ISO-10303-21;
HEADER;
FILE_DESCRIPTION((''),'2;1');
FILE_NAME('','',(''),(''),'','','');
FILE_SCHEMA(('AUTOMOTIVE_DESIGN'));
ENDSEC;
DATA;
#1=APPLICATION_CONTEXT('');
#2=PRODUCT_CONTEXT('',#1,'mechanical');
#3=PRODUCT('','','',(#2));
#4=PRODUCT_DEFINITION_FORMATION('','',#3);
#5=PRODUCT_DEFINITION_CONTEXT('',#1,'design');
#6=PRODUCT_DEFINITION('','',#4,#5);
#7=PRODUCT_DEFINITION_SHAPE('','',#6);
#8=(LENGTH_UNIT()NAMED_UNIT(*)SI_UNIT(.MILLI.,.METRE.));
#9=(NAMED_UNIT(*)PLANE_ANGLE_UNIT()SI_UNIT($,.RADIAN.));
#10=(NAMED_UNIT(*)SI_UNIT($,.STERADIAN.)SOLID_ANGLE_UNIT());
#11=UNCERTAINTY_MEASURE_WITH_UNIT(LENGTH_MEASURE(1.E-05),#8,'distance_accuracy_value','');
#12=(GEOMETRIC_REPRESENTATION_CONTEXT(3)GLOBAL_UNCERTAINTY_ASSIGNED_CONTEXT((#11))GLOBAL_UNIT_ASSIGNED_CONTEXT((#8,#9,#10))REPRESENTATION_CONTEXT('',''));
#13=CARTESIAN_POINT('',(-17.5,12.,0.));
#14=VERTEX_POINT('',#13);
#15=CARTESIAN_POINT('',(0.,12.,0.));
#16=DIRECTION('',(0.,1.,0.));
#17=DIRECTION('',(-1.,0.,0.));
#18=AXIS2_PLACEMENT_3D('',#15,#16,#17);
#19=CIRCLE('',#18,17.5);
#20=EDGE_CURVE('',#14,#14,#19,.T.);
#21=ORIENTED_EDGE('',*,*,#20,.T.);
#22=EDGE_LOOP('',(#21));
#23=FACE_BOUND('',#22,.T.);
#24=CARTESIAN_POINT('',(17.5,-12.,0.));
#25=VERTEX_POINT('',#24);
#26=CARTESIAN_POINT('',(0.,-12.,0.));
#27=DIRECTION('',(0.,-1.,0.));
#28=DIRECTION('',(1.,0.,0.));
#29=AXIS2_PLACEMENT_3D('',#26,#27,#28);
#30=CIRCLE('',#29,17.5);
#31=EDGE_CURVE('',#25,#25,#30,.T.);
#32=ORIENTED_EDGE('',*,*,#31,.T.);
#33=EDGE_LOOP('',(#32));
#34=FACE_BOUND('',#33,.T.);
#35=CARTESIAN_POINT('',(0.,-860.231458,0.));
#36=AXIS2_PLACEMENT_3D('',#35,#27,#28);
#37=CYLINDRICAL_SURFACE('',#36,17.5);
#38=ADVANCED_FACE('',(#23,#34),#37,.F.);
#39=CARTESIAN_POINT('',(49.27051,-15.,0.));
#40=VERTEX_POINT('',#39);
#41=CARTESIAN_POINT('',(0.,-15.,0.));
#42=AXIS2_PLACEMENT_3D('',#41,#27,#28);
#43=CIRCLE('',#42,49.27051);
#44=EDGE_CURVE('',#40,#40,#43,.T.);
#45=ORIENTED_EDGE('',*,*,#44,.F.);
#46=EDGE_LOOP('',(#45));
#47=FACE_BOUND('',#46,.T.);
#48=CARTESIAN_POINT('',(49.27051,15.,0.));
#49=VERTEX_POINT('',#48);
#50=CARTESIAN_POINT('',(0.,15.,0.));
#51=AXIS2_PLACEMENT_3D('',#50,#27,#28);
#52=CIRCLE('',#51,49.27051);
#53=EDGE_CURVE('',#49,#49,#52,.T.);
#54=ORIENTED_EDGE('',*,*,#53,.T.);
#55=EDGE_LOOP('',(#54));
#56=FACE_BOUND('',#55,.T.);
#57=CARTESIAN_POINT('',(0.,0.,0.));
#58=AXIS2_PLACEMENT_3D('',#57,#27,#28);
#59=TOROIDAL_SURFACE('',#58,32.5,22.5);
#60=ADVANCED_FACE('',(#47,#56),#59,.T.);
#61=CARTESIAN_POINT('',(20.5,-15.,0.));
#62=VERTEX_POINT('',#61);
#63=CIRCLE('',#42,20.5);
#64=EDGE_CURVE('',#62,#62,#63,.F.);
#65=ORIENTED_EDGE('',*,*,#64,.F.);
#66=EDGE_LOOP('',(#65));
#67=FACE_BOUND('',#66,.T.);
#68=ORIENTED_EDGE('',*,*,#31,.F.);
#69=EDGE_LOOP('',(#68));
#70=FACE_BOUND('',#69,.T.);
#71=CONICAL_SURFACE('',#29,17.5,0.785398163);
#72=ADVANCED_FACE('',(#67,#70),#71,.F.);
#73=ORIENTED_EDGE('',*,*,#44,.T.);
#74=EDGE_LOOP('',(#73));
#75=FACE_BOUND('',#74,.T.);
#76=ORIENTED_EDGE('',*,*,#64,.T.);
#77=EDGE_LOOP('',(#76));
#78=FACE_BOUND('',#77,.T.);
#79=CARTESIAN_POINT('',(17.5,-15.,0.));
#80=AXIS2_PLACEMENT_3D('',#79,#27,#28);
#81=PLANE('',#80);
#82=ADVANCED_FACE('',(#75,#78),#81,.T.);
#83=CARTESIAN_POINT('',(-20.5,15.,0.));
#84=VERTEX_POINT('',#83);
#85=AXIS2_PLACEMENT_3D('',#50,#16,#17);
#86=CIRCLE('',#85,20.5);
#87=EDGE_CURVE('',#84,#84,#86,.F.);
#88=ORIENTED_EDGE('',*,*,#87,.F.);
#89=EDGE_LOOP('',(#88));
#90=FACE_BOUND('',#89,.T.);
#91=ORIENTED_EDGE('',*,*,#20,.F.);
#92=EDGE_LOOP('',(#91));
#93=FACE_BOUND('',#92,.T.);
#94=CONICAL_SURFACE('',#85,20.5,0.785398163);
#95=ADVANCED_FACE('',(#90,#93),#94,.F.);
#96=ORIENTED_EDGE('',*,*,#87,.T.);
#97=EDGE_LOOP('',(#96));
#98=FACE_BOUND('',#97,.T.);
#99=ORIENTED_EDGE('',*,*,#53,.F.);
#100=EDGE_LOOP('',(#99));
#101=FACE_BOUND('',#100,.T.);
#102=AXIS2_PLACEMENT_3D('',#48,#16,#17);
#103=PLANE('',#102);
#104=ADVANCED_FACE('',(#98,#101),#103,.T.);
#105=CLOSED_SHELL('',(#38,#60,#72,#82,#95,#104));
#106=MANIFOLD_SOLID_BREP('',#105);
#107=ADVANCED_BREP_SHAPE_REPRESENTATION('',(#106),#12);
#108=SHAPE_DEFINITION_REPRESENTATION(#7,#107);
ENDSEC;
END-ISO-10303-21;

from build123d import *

# Parameters (mm, degrees)
CHAMFER1_SIZE = 3


with BuildPart() as part:
    # Sketch1 → Revolve1 (revolve)
    with BuildSketch(Plane.XY):
        with BuildLine():
            Line((49.270509831, 15), (17.5, 15))
            Line((17.5, 15), (17.5, -15))
            Line((17.5, -15), (49.270509831, -15))
            ThreePointArc((49.270509831, -15), (55, 0), (49.270509831, 15))
        make_face()
    revolve(axis=Axis((0, -860.231458205, 0), (0, 1, 0)))

    # Chamfer1
    chamfer1_edges = [part.edges().sort_by_distance(p)[0] for p in [
        (-17.5, 15, 0),
        (-17.5, -15, 0),
    ]]
    chamfer(chamfer1_edges, length=CHAMFER1_SIZE)


solid = part.part
